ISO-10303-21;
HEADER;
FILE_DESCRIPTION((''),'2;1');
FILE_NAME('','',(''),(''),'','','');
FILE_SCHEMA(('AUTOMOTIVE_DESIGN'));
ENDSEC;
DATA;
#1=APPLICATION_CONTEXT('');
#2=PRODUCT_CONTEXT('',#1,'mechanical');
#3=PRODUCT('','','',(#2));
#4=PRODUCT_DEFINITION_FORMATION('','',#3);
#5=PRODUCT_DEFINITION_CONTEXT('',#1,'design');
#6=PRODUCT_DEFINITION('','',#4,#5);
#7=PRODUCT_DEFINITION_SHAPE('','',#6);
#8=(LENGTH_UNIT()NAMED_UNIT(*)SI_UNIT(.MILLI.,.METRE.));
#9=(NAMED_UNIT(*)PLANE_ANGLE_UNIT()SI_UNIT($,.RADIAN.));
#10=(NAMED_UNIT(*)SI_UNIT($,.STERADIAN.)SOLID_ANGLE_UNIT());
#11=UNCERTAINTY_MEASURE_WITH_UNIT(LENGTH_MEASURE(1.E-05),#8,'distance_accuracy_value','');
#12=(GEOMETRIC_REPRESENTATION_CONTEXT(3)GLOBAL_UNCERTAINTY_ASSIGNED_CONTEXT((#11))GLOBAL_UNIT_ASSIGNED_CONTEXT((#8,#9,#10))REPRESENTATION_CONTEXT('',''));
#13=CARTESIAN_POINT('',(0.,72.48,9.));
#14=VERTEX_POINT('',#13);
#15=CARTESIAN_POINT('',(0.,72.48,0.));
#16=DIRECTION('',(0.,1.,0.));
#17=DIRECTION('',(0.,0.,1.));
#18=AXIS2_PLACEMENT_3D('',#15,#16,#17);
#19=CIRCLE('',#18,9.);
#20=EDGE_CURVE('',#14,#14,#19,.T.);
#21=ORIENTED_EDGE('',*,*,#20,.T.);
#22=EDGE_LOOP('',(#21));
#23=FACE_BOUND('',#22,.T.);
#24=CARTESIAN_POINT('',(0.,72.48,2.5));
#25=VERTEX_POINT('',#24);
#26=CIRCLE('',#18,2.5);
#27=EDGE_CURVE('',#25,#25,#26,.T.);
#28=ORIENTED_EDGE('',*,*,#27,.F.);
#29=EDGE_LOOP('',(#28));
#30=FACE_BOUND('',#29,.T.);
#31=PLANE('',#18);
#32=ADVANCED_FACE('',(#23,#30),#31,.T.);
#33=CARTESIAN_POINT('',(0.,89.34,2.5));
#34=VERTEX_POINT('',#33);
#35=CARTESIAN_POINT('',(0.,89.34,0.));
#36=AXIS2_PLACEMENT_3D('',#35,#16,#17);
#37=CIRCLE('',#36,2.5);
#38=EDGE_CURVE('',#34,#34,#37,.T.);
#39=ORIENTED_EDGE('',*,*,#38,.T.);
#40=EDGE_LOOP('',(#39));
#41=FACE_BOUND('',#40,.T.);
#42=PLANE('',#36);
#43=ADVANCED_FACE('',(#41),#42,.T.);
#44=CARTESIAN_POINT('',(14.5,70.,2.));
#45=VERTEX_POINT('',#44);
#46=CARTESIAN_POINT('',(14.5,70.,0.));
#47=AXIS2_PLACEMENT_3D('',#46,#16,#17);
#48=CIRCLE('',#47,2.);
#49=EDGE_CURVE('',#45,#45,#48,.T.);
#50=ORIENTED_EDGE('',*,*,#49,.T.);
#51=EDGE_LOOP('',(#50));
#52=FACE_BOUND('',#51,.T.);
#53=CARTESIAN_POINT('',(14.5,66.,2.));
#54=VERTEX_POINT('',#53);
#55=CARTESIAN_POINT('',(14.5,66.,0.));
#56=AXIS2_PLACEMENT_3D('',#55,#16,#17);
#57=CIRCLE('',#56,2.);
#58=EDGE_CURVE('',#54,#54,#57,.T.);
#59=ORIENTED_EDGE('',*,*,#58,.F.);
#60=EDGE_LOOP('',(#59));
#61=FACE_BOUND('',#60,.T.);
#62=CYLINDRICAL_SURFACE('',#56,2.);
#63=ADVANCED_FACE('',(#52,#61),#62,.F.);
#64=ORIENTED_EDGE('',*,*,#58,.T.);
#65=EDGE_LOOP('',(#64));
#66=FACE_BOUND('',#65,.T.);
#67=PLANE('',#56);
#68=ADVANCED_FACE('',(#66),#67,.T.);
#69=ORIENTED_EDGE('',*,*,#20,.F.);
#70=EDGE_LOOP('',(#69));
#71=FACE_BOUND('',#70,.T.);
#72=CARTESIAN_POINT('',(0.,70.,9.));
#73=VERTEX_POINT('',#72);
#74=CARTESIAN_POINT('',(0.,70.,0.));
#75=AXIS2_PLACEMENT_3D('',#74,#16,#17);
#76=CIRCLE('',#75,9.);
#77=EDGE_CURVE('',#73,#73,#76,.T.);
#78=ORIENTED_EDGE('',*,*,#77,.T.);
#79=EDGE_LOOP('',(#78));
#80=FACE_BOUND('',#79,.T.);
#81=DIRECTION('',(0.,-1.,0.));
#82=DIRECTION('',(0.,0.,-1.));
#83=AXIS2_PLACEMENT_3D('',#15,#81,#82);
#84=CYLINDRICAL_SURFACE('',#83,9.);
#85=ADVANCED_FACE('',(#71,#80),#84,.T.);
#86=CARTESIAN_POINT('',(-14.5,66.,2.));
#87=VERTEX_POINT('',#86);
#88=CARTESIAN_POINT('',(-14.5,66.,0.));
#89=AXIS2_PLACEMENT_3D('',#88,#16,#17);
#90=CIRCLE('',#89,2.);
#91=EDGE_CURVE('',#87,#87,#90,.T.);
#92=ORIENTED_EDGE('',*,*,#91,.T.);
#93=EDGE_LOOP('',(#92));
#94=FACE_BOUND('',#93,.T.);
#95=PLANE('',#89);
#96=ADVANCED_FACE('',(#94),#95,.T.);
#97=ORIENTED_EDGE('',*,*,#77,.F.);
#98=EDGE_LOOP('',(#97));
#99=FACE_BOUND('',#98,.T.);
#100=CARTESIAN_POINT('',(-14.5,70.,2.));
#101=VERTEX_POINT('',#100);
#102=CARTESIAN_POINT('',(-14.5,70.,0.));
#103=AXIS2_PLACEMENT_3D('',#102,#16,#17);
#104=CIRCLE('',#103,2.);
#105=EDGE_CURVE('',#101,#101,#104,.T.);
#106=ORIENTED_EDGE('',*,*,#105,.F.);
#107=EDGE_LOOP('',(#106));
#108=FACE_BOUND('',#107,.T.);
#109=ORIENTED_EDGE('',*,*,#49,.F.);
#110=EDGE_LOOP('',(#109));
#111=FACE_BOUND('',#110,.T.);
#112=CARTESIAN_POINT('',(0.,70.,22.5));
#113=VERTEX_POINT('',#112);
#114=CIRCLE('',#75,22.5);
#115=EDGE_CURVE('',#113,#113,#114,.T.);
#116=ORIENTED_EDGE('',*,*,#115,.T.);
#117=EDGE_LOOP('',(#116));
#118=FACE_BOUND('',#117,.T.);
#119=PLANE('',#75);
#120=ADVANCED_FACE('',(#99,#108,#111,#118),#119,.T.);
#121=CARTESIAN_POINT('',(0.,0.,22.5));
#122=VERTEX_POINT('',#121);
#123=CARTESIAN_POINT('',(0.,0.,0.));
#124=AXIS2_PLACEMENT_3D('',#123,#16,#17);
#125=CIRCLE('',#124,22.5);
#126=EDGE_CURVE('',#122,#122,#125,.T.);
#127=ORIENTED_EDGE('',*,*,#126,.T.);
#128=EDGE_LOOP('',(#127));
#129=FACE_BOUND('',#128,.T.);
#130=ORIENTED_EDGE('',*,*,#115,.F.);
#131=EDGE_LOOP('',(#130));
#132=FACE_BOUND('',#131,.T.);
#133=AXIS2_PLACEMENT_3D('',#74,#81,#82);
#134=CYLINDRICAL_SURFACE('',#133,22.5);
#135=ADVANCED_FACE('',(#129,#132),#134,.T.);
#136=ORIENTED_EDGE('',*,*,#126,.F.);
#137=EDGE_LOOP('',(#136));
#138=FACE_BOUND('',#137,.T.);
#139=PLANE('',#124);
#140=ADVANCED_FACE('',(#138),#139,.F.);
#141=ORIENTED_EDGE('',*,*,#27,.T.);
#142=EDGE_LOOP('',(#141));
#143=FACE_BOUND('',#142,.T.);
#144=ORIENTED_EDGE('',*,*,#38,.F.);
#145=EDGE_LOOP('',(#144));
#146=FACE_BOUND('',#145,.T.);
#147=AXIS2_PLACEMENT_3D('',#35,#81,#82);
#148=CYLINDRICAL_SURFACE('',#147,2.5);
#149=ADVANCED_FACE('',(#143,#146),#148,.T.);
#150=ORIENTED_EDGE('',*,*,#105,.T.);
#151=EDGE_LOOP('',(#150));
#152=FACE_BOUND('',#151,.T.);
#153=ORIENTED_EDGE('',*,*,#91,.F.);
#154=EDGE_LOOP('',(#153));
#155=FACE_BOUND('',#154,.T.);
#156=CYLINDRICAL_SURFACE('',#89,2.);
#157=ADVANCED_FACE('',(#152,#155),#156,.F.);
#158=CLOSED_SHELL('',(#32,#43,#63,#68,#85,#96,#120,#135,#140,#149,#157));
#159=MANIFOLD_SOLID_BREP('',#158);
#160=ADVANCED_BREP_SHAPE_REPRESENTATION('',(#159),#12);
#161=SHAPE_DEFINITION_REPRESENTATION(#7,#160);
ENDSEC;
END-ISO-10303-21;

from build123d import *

# Parameters (mm, degrees)
SKETCH1_R           = 22.5
BOSS_EXTRUDE1_DEPTH = 70
SKETCH2_R           = 9
BOSS_EXTRUDE2_DEPTH = 2.48
SKETCH3_R           = 2.5
BOSS_EXTRUDE3_DEPTH = 16.86
SKETCH4_R           = 2
CUT_EXTRUDE1_DEPTH  = 4


with BuildPart() as part:
    # Sketch1 → Boss-Extrude1 (new body)
    with BuildSketch(Plane(origin=(0, 0, 0), x_dir=(1, 0, 0), z_dir=(0, 1, 0))):
        with Locations(Location((0, 0, 0), (0, 0, 270))):
            Circle(SKETCH1_R)
    extrude(amount=BOSS_EXTRUDE1_DEPTH)

    # Sketch2 → Boss-Extrude2 (add)
    with BuildSketch(Plane(origin=(0, 70, 0), x_dir=(1, 0, 0), z_dir=(0, 1, 0))):
        with Locations(Location((0, 0, 0), (0, 0, 270))):
            Circle(SKETCH2_R)
    extrude(amount=BOSS_EXTRUDE2_DEPTH)

    # Sketch3 → Boss-Extrude3 (add)
    with BuildSketch(Plane(origin=(0, 72.48, 0), x_dir=(1, 0, 0), z_dir=(0, 1, 0))):
        with Locations(Location((0, 0, 0), (0, 0, 270))):
            Circle(SKETCH3_R)
    extrude(amount=BOSS_EXTRUDE3_DEPTH)

    # Sketch4 → Cut-Extrude1 (cut)
    with BuildSketch(Plane(origin=(0, 70, 0), x_dir=(1, 0, 0), z_dir=(0, 1, 0))):
        with Locations(Location((-14.5, 0, 0), (0, 0, 270))):
            Circle(SKETCH4_R)
        with Locations(Location((14.5, 0, 0), (0, 0, 270))):
            Circle(SKETCH4_R)
    extrude(amount=-CUT_EXTRUDE1_DEPTH, mode=Mode.SUBTRACT)


solid = part.part
